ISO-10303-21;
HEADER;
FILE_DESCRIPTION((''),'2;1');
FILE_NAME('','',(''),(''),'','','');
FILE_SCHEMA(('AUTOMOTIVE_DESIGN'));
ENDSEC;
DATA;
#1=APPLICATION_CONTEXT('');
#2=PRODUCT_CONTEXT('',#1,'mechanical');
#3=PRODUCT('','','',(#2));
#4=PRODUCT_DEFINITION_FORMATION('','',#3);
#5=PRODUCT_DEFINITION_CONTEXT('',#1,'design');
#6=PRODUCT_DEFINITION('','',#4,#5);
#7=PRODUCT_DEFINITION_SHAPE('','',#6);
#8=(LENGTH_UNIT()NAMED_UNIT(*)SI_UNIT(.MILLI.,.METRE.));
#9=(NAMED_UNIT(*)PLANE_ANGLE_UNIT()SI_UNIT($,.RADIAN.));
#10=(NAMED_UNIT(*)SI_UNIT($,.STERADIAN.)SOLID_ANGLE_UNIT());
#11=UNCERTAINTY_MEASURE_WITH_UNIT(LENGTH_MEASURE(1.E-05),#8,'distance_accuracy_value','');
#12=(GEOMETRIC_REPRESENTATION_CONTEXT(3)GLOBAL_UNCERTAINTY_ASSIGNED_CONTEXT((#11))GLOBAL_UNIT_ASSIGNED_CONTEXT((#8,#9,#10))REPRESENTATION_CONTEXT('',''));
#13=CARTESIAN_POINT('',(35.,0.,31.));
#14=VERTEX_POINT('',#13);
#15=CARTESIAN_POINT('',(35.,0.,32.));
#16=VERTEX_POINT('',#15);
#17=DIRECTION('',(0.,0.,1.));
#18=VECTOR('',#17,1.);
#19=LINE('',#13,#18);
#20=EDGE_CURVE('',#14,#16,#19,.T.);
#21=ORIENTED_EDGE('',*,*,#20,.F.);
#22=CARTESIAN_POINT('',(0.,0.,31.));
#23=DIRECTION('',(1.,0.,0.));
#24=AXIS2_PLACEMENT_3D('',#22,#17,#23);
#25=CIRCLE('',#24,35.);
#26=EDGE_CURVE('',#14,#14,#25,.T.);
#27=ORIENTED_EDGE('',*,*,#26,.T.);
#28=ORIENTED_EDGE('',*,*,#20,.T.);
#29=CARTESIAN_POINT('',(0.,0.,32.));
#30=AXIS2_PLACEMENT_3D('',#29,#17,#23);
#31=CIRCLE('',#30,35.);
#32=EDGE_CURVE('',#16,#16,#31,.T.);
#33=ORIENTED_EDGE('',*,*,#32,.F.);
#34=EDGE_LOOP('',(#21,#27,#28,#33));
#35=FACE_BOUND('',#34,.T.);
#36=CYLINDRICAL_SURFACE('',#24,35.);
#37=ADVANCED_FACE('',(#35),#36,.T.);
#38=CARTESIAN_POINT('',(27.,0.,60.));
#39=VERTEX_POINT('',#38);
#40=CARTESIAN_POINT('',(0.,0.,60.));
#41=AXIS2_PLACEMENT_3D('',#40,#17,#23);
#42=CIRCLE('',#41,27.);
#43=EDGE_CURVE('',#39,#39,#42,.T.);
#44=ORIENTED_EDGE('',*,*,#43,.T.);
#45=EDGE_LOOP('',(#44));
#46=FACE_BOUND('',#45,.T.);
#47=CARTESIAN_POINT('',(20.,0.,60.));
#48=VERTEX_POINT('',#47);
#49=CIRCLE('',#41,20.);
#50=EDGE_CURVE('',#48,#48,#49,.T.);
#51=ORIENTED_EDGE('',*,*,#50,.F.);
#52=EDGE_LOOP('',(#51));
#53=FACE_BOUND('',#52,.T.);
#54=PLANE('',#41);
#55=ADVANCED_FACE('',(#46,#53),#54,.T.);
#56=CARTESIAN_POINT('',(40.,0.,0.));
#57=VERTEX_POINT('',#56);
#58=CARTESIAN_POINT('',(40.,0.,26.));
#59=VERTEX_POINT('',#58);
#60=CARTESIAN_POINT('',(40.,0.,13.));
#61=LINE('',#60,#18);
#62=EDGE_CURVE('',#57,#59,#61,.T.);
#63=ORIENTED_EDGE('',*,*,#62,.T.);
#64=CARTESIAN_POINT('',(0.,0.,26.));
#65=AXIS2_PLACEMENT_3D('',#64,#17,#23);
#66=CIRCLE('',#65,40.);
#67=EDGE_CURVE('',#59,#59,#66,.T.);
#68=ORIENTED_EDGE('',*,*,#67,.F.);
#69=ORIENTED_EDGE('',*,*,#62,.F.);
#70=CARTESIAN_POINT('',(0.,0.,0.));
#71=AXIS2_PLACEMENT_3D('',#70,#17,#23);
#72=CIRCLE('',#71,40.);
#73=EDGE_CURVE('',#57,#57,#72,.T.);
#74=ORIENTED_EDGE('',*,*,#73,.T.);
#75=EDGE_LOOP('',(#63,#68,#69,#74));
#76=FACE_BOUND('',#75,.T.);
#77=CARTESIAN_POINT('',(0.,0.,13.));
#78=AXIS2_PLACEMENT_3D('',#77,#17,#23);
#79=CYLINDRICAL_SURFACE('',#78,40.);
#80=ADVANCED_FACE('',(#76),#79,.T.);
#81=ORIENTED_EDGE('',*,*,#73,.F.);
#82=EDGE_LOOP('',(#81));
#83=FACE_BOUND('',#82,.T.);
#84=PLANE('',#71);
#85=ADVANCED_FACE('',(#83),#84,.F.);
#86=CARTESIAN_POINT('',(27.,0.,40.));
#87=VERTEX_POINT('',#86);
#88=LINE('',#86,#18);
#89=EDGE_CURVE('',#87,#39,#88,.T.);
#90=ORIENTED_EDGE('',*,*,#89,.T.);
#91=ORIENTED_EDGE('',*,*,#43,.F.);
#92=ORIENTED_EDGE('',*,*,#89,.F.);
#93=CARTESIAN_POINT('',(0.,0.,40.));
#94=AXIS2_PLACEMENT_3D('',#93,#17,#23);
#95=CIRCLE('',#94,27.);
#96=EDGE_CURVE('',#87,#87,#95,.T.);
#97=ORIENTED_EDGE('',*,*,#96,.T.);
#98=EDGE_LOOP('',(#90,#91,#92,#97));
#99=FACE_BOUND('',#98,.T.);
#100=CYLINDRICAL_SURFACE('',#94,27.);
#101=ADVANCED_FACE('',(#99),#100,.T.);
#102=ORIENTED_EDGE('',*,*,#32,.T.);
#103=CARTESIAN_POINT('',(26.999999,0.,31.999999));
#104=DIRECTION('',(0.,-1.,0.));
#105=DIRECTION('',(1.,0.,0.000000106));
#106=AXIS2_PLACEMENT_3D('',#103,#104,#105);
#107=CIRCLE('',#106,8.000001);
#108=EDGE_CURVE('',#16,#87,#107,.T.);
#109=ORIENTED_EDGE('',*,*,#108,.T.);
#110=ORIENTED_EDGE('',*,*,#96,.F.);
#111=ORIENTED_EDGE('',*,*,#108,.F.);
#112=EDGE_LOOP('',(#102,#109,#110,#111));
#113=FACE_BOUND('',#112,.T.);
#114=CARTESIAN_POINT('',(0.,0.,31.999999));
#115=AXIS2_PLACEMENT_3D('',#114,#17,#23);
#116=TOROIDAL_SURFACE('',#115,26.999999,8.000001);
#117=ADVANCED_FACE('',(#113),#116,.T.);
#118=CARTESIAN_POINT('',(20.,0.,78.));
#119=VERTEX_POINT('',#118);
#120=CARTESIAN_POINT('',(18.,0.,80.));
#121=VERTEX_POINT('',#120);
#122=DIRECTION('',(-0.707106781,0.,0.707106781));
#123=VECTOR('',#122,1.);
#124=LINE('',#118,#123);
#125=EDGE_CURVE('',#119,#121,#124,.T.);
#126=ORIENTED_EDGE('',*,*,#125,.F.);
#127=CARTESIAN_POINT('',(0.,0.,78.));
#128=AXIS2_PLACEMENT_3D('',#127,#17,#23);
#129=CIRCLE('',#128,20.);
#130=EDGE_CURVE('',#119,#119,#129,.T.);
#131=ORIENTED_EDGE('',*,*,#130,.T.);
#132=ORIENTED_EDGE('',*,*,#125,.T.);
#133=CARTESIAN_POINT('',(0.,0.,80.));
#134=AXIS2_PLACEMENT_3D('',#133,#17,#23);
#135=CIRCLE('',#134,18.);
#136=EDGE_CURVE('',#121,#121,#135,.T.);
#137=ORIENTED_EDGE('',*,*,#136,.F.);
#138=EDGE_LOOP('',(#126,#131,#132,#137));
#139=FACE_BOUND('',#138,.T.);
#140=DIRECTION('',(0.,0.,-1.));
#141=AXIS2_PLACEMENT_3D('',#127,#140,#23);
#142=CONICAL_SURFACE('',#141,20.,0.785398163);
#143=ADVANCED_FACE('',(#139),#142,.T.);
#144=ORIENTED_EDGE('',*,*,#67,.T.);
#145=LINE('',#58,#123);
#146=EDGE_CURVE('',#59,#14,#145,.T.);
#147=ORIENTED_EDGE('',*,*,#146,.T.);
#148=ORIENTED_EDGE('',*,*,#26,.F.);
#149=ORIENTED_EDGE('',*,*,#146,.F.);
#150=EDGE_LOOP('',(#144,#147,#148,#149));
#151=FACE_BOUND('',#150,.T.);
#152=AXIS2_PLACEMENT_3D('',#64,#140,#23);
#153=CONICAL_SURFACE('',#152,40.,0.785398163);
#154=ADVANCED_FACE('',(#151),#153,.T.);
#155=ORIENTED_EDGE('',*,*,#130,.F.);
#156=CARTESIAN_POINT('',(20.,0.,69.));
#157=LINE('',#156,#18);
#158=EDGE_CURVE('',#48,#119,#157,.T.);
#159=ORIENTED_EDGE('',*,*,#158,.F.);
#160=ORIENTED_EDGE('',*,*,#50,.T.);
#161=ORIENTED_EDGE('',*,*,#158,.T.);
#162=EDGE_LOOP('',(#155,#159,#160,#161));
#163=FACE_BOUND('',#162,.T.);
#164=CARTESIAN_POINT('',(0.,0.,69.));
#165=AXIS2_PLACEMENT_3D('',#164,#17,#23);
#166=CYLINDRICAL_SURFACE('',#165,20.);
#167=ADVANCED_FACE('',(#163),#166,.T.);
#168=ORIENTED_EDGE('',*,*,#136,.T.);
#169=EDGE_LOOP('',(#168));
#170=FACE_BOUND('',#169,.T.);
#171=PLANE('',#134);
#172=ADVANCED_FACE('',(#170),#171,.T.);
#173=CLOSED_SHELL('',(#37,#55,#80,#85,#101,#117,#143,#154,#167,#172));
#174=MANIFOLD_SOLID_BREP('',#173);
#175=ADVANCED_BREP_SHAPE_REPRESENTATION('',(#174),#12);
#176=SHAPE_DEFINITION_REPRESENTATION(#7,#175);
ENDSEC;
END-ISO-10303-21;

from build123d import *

# Parameters (mm, degrees)
F0_W   = 40
F0_H   = 26
F0_W_2 = 20
F0_H_2 = 18


with BuildPart() as f1:
    # F0 (on Front) → F1 (revolve)
    with BuildSketch(Plane.XZ):
        with Locations((20, 13)):
            Rectangle(F0_W, F0_H)
        Polygon((0, 31), (0, 26), (40, 26), (35, 31), align=None)
        with BuildLine():
            Line((0, 40), (0, 31))
            Line((0, 31), (35, 31))
            Line((35, 31), (35, 32))
            ThreePointArc((35, 32), (32.656854, 37.656854), (27, 40))
            Line((27, 40), (0, 40))
        make_face()
        Polygon((0, 60), (0, 40), (27, 40), (27, 60), (20, 60), align=None)
        with Locations((10, 69)):
            Rectangle(F0_W_2, F0_H_2)
        Polygon((0, 80), (0, 78), (20, 78), (18, 80), align=None)
    revolve(axis=Axis((0, 0, 40), (0, 0, 1)))


solid = f1.part
